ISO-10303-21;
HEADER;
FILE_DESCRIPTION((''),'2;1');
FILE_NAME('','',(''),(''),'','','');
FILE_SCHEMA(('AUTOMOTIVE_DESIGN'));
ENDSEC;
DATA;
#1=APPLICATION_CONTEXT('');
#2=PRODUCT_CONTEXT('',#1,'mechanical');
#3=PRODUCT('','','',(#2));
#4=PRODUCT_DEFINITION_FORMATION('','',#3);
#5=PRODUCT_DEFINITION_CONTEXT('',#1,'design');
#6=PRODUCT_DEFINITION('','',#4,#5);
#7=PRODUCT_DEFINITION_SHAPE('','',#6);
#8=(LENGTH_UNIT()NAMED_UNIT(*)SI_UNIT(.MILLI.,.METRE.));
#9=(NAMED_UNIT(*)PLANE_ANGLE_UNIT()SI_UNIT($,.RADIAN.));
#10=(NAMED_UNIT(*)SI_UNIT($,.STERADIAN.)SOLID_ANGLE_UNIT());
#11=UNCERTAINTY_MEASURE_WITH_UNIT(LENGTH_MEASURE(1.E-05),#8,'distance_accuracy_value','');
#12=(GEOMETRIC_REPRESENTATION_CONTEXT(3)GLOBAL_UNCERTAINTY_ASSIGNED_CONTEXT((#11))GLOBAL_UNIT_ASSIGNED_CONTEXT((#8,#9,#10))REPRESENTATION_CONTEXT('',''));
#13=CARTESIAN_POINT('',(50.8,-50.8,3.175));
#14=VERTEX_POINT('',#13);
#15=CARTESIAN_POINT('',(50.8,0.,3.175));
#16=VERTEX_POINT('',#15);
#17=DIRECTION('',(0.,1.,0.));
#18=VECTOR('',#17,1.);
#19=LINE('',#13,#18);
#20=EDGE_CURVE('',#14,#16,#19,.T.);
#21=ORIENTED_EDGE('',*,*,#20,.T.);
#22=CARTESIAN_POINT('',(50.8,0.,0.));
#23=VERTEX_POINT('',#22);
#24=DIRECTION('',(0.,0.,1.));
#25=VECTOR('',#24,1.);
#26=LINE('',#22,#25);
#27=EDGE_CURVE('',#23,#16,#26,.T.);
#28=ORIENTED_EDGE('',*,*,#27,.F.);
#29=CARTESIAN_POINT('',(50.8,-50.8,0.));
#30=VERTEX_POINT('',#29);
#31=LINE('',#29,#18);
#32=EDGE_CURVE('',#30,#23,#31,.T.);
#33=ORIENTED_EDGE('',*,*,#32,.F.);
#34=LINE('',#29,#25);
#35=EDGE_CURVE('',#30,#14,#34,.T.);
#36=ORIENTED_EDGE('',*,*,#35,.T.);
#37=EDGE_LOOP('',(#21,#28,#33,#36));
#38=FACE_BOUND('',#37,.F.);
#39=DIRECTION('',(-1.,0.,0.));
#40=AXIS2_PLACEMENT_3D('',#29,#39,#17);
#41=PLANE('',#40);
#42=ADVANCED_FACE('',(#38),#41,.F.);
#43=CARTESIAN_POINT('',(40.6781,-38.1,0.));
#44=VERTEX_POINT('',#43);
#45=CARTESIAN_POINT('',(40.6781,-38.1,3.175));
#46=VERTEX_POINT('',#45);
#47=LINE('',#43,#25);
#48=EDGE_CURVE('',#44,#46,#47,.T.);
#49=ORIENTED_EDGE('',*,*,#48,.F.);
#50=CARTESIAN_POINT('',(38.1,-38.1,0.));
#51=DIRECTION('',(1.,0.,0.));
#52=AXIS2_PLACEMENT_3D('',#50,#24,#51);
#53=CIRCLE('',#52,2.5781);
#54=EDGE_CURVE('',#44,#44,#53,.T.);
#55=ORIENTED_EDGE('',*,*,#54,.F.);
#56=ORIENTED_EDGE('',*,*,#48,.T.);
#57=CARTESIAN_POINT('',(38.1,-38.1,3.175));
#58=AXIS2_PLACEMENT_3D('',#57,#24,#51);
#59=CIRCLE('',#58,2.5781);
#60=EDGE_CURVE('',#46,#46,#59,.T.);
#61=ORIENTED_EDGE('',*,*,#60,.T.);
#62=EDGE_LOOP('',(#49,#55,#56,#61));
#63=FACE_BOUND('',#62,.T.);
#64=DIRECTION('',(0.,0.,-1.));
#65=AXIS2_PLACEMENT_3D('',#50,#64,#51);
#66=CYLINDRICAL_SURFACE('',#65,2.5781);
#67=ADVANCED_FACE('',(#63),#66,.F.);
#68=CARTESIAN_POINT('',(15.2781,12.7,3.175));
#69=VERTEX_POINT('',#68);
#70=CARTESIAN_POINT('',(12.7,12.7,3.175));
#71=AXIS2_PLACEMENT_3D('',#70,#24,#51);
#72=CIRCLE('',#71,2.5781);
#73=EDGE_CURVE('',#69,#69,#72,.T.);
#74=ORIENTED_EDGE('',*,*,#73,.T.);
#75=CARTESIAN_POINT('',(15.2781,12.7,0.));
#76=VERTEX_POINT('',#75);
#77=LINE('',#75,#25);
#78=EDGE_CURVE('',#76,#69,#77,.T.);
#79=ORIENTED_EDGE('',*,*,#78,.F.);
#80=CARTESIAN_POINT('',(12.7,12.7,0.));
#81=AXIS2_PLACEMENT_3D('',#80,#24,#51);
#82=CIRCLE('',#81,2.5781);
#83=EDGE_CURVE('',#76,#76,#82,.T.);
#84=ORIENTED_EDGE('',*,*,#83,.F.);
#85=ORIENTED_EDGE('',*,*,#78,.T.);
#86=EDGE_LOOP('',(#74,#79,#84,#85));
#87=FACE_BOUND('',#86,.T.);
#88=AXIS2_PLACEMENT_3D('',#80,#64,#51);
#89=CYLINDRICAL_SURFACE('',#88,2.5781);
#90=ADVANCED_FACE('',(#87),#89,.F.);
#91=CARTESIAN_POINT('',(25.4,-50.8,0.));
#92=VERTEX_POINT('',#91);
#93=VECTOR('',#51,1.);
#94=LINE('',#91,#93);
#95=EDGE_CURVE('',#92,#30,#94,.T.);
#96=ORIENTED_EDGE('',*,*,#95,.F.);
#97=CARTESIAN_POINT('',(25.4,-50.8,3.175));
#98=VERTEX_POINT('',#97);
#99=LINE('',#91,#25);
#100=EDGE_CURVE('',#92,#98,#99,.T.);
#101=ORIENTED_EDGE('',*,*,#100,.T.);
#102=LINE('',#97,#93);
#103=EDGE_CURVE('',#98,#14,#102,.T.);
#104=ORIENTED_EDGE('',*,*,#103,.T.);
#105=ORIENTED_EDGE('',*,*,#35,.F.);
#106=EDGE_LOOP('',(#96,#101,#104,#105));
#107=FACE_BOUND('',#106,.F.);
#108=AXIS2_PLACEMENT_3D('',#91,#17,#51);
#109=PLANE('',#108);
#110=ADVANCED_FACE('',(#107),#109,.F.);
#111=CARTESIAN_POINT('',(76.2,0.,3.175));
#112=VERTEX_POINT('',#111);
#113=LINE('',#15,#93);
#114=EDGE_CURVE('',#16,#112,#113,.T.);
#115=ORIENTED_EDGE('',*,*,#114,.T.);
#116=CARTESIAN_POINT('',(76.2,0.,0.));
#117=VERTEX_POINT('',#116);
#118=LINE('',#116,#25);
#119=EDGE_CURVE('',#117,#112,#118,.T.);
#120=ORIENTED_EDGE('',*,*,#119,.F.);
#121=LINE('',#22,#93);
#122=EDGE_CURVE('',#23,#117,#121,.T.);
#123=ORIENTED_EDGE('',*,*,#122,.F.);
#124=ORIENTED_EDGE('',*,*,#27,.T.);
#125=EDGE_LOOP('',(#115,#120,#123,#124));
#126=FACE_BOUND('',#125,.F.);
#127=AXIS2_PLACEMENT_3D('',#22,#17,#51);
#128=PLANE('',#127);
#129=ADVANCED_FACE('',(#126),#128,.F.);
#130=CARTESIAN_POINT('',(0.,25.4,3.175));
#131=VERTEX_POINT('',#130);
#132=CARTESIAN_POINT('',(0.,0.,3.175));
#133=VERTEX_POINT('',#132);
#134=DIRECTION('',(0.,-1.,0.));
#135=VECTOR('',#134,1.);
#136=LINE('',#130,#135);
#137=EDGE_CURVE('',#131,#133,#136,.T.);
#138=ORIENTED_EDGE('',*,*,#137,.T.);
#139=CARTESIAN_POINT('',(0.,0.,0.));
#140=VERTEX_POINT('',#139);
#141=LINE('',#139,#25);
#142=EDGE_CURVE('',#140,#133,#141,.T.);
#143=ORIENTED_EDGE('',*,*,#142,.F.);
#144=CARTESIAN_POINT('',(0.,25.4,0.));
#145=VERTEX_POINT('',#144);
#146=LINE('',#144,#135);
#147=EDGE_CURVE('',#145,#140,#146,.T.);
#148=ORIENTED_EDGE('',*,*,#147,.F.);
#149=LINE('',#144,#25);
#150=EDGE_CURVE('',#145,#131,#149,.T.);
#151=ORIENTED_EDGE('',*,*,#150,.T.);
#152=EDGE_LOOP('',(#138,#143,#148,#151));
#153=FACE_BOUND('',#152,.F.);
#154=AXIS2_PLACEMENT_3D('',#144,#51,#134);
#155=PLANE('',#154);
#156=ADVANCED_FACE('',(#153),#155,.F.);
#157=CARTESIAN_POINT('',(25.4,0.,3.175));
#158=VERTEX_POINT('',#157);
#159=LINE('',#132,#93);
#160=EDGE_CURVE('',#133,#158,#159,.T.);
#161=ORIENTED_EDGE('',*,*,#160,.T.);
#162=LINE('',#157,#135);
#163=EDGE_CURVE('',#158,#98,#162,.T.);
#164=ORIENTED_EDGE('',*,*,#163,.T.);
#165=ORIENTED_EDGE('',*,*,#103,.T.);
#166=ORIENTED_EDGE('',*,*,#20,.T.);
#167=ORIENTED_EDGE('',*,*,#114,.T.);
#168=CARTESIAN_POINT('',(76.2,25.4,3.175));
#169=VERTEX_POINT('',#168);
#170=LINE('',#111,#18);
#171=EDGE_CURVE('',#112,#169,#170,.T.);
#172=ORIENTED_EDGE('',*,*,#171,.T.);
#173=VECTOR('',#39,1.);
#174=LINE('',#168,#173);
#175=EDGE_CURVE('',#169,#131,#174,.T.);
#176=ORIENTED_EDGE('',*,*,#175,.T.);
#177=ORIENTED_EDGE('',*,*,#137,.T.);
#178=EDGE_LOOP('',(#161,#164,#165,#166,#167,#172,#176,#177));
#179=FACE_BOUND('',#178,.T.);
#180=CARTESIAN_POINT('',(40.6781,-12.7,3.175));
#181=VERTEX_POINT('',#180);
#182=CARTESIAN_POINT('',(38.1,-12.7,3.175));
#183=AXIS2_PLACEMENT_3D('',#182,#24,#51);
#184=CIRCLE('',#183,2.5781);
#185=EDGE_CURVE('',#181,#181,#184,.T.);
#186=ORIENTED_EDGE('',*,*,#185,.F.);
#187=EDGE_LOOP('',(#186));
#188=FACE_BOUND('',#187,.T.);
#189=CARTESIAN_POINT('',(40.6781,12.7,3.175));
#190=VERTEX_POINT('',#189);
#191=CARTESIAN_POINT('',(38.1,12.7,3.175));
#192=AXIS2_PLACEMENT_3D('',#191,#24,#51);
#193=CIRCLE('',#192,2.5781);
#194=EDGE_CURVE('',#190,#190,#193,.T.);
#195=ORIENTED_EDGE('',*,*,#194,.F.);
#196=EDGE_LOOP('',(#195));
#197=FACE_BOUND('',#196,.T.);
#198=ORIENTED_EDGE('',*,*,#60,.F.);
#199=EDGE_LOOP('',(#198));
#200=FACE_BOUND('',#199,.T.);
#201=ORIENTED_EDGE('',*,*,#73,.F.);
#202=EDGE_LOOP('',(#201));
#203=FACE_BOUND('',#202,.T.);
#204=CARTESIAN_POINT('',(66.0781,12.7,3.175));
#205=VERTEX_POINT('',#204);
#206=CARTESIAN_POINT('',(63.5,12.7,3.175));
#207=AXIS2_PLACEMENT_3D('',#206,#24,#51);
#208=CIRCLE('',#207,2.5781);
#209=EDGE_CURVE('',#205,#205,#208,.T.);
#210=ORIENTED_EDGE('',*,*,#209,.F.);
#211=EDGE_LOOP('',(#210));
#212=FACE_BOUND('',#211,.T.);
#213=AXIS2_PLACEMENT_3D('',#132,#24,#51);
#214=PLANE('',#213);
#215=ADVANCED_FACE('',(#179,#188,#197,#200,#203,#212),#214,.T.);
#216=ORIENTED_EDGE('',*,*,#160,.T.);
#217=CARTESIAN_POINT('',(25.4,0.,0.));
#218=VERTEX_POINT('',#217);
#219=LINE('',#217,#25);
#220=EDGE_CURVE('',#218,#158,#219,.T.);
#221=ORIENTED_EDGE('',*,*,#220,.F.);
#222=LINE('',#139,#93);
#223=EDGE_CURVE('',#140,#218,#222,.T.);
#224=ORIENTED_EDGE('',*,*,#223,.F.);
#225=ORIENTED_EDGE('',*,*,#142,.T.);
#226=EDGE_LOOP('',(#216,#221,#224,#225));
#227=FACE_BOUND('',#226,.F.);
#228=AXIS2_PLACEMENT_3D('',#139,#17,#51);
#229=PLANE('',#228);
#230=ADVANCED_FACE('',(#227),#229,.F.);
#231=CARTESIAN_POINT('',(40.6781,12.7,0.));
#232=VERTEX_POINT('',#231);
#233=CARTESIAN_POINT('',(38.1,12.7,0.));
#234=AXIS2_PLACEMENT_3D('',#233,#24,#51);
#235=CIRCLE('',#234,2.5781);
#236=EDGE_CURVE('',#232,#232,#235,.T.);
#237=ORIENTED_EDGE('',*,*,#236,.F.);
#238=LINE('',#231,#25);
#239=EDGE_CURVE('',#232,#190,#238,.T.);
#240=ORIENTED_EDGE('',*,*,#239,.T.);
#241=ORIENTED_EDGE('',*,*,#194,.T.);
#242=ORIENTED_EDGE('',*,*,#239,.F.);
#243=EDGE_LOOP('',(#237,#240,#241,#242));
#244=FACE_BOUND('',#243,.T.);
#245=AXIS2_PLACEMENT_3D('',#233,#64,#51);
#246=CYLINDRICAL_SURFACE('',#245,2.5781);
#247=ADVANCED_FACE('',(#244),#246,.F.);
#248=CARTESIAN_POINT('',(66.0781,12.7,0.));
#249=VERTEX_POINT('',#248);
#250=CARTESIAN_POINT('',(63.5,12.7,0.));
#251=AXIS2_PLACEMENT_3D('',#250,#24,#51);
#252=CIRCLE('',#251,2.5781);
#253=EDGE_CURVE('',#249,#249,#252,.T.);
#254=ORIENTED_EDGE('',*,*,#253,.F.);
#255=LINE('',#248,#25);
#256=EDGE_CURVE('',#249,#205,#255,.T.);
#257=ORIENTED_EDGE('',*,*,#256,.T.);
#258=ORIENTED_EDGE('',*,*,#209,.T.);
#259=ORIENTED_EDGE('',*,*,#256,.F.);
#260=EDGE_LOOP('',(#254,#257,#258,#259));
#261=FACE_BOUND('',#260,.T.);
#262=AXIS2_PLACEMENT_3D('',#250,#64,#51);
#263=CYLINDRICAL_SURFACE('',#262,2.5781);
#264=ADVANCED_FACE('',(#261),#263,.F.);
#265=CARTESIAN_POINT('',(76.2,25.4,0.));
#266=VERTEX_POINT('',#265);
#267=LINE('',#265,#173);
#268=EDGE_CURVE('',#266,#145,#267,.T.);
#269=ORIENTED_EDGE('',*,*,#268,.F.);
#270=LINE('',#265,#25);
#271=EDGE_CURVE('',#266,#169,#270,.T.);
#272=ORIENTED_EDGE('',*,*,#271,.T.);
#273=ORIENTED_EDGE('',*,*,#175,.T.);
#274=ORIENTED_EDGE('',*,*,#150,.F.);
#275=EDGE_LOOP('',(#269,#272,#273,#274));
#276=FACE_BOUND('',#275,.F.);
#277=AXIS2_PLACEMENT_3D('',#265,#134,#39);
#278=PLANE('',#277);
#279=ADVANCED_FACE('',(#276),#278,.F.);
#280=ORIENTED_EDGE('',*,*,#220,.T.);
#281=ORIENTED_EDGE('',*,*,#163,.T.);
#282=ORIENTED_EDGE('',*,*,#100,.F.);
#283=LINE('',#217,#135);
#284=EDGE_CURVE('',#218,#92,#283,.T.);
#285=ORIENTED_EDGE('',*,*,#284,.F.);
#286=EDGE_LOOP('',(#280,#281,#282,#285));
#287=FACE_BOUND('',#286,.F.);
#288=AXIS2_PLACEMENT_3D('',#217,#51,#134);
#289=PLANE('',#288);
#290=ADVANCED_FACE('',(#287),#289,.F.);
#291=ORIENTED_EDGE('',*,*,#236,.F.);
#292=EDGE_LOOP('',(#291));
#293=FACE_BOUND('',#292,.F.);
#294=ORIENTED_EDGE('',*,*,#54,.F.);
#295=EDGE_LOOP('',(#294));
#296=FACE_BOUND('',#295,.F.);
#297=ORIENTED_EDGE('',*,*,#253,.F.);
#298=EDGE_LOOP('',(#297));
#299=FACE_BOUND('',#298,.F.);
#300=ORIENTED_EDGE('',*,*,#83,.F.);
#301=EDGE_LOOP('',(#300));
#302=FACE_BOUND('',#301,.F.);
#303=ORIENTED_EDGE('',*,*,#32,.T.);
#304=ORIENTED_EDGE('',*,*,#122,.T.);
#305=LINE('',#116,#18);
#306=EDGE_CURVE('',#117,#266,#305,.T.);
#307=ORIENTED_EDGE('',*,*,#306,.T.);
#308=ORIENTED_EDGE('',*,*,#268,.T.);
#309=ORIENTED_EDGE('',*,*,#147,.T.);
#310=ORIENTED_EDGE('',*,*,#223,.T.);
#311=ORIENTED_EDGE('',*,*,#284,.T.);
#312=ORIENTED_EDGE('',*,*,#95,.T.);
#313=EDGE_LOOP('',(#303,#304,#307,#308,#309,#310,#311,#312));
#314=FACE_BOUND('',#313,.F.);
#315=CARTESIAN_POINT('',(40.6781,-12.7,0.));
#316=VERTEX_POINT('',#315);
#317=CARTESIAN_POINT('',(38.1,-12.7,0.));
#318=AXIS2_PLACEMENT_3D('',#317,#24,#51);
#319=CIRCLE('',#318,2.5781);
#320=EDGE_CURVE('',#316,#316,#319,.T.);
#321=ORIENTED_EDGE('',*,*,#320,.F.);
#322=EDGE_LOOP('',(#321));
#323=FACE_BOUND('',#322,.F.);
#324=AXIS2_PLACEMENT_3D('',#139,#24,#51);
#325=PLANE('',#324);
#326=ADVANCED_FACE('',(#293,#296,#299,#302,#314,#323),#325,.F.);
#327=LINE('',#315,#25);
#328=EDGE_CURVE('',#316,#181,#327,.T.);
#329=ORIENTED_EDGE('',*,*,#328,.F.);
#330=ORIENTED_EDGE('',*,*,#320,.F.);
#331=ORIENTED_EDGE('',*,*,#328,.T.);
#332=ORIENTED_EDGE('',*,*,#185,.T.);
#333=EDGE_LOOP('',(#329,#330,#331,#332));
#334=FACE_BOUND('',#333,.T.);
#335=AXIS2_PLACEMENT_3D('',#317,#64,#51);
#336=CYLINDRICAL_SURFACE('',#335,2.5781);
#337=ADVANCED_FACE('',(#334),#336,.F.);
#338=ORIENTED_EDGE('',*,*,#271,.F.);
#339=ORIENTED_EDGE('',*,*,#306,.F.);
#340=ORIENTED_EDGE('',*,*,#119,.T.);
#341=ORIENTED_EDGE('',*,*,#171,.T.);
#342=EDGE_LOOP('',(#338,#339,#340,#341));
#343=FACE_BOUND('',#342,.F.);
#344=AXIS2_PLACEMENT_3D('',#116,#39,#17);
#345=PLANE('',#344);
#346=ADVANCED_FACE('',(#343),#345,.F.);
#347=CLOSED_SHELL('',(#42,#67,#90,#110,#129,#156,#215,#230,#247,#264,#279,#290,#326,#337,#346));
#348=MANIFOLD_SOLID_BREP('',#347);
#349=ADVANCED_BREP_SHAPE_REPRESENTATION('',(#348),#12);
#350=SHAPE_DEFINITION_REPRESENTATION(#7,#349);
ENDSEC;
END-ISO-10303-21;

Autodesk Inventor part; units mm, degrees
ref_plane "YZ Plane" through (0, 0, 0) normal (1, 0, 0) x (0, 1, 0)
ref_plane "XZ Plane" through (0, 0, 0) normal (0, 1, 0) x (-1, 0, 0)
ref_plane "XY Plane" through (0, 0, 0) normal (0, 0, 1) x (1, 0, 0)
sketch "Sketch1" plane through (0, 0, 0) normal (0, 0, 1) x (1, 0, 0)
  line L0 (76.2, 0) -> (76.2, 25.4)
  line L1 (76.2, 25.4) -> (0, 25.4)
  line L2 (0, 25.4) -> (0, 0)
  line L3 (0, 0) -> (25.4, 0) construction
  line L4 (25.4, 0) -> (25.4, -50.8)
  line L5 (25.4, -50.8) -> (50.8, -50.8)
  line L6 (50.8, -50.8) -> (50.8, 0)
  line L7 (0, 0) -> (25.4, 0)
  line L8 (50.8, 0) -> (76.2, 0)
  line L9 (0, 12.7) -> (12.7, 12.7) construction
  line L10 (12.7, 12.7) -> (38.1, 12.7) construction
  line L11 (38.1, 12.7) -> (63.5, 12.7) construction
  line L12 (38.1, 12.7) -> (38.1, -12.7) construction
  line L13 (38.1, -12.7) -> (38.1, -38.1) construction
  circle A0 centre (12.7, 12.7) radius 2.5781
  circle A1 centre (38.1, 12.7) radius 2.5781
  circle A2 centre (63.5, 12.7) radius 2.5781
  circle A3 centre (38.1, -12.7) radius 2.5781
  circle A4 centre (38.1, -38.1) radius 2.5781
  dimension "d0" = 76.2
  dimension "d1" = 25.4
  dimension "d2" = 25.4
  dimension "d3" = 50.8
  dimension "d4" = 25.4
  dimension "d5" = 25.4
  dimension "d6" = 25.4
  dimension "d7" = 5.1562
extrude "Extrusion1" add sketch "Sketch1" along normal blind 3.175
properties part number "T-Gusset"
